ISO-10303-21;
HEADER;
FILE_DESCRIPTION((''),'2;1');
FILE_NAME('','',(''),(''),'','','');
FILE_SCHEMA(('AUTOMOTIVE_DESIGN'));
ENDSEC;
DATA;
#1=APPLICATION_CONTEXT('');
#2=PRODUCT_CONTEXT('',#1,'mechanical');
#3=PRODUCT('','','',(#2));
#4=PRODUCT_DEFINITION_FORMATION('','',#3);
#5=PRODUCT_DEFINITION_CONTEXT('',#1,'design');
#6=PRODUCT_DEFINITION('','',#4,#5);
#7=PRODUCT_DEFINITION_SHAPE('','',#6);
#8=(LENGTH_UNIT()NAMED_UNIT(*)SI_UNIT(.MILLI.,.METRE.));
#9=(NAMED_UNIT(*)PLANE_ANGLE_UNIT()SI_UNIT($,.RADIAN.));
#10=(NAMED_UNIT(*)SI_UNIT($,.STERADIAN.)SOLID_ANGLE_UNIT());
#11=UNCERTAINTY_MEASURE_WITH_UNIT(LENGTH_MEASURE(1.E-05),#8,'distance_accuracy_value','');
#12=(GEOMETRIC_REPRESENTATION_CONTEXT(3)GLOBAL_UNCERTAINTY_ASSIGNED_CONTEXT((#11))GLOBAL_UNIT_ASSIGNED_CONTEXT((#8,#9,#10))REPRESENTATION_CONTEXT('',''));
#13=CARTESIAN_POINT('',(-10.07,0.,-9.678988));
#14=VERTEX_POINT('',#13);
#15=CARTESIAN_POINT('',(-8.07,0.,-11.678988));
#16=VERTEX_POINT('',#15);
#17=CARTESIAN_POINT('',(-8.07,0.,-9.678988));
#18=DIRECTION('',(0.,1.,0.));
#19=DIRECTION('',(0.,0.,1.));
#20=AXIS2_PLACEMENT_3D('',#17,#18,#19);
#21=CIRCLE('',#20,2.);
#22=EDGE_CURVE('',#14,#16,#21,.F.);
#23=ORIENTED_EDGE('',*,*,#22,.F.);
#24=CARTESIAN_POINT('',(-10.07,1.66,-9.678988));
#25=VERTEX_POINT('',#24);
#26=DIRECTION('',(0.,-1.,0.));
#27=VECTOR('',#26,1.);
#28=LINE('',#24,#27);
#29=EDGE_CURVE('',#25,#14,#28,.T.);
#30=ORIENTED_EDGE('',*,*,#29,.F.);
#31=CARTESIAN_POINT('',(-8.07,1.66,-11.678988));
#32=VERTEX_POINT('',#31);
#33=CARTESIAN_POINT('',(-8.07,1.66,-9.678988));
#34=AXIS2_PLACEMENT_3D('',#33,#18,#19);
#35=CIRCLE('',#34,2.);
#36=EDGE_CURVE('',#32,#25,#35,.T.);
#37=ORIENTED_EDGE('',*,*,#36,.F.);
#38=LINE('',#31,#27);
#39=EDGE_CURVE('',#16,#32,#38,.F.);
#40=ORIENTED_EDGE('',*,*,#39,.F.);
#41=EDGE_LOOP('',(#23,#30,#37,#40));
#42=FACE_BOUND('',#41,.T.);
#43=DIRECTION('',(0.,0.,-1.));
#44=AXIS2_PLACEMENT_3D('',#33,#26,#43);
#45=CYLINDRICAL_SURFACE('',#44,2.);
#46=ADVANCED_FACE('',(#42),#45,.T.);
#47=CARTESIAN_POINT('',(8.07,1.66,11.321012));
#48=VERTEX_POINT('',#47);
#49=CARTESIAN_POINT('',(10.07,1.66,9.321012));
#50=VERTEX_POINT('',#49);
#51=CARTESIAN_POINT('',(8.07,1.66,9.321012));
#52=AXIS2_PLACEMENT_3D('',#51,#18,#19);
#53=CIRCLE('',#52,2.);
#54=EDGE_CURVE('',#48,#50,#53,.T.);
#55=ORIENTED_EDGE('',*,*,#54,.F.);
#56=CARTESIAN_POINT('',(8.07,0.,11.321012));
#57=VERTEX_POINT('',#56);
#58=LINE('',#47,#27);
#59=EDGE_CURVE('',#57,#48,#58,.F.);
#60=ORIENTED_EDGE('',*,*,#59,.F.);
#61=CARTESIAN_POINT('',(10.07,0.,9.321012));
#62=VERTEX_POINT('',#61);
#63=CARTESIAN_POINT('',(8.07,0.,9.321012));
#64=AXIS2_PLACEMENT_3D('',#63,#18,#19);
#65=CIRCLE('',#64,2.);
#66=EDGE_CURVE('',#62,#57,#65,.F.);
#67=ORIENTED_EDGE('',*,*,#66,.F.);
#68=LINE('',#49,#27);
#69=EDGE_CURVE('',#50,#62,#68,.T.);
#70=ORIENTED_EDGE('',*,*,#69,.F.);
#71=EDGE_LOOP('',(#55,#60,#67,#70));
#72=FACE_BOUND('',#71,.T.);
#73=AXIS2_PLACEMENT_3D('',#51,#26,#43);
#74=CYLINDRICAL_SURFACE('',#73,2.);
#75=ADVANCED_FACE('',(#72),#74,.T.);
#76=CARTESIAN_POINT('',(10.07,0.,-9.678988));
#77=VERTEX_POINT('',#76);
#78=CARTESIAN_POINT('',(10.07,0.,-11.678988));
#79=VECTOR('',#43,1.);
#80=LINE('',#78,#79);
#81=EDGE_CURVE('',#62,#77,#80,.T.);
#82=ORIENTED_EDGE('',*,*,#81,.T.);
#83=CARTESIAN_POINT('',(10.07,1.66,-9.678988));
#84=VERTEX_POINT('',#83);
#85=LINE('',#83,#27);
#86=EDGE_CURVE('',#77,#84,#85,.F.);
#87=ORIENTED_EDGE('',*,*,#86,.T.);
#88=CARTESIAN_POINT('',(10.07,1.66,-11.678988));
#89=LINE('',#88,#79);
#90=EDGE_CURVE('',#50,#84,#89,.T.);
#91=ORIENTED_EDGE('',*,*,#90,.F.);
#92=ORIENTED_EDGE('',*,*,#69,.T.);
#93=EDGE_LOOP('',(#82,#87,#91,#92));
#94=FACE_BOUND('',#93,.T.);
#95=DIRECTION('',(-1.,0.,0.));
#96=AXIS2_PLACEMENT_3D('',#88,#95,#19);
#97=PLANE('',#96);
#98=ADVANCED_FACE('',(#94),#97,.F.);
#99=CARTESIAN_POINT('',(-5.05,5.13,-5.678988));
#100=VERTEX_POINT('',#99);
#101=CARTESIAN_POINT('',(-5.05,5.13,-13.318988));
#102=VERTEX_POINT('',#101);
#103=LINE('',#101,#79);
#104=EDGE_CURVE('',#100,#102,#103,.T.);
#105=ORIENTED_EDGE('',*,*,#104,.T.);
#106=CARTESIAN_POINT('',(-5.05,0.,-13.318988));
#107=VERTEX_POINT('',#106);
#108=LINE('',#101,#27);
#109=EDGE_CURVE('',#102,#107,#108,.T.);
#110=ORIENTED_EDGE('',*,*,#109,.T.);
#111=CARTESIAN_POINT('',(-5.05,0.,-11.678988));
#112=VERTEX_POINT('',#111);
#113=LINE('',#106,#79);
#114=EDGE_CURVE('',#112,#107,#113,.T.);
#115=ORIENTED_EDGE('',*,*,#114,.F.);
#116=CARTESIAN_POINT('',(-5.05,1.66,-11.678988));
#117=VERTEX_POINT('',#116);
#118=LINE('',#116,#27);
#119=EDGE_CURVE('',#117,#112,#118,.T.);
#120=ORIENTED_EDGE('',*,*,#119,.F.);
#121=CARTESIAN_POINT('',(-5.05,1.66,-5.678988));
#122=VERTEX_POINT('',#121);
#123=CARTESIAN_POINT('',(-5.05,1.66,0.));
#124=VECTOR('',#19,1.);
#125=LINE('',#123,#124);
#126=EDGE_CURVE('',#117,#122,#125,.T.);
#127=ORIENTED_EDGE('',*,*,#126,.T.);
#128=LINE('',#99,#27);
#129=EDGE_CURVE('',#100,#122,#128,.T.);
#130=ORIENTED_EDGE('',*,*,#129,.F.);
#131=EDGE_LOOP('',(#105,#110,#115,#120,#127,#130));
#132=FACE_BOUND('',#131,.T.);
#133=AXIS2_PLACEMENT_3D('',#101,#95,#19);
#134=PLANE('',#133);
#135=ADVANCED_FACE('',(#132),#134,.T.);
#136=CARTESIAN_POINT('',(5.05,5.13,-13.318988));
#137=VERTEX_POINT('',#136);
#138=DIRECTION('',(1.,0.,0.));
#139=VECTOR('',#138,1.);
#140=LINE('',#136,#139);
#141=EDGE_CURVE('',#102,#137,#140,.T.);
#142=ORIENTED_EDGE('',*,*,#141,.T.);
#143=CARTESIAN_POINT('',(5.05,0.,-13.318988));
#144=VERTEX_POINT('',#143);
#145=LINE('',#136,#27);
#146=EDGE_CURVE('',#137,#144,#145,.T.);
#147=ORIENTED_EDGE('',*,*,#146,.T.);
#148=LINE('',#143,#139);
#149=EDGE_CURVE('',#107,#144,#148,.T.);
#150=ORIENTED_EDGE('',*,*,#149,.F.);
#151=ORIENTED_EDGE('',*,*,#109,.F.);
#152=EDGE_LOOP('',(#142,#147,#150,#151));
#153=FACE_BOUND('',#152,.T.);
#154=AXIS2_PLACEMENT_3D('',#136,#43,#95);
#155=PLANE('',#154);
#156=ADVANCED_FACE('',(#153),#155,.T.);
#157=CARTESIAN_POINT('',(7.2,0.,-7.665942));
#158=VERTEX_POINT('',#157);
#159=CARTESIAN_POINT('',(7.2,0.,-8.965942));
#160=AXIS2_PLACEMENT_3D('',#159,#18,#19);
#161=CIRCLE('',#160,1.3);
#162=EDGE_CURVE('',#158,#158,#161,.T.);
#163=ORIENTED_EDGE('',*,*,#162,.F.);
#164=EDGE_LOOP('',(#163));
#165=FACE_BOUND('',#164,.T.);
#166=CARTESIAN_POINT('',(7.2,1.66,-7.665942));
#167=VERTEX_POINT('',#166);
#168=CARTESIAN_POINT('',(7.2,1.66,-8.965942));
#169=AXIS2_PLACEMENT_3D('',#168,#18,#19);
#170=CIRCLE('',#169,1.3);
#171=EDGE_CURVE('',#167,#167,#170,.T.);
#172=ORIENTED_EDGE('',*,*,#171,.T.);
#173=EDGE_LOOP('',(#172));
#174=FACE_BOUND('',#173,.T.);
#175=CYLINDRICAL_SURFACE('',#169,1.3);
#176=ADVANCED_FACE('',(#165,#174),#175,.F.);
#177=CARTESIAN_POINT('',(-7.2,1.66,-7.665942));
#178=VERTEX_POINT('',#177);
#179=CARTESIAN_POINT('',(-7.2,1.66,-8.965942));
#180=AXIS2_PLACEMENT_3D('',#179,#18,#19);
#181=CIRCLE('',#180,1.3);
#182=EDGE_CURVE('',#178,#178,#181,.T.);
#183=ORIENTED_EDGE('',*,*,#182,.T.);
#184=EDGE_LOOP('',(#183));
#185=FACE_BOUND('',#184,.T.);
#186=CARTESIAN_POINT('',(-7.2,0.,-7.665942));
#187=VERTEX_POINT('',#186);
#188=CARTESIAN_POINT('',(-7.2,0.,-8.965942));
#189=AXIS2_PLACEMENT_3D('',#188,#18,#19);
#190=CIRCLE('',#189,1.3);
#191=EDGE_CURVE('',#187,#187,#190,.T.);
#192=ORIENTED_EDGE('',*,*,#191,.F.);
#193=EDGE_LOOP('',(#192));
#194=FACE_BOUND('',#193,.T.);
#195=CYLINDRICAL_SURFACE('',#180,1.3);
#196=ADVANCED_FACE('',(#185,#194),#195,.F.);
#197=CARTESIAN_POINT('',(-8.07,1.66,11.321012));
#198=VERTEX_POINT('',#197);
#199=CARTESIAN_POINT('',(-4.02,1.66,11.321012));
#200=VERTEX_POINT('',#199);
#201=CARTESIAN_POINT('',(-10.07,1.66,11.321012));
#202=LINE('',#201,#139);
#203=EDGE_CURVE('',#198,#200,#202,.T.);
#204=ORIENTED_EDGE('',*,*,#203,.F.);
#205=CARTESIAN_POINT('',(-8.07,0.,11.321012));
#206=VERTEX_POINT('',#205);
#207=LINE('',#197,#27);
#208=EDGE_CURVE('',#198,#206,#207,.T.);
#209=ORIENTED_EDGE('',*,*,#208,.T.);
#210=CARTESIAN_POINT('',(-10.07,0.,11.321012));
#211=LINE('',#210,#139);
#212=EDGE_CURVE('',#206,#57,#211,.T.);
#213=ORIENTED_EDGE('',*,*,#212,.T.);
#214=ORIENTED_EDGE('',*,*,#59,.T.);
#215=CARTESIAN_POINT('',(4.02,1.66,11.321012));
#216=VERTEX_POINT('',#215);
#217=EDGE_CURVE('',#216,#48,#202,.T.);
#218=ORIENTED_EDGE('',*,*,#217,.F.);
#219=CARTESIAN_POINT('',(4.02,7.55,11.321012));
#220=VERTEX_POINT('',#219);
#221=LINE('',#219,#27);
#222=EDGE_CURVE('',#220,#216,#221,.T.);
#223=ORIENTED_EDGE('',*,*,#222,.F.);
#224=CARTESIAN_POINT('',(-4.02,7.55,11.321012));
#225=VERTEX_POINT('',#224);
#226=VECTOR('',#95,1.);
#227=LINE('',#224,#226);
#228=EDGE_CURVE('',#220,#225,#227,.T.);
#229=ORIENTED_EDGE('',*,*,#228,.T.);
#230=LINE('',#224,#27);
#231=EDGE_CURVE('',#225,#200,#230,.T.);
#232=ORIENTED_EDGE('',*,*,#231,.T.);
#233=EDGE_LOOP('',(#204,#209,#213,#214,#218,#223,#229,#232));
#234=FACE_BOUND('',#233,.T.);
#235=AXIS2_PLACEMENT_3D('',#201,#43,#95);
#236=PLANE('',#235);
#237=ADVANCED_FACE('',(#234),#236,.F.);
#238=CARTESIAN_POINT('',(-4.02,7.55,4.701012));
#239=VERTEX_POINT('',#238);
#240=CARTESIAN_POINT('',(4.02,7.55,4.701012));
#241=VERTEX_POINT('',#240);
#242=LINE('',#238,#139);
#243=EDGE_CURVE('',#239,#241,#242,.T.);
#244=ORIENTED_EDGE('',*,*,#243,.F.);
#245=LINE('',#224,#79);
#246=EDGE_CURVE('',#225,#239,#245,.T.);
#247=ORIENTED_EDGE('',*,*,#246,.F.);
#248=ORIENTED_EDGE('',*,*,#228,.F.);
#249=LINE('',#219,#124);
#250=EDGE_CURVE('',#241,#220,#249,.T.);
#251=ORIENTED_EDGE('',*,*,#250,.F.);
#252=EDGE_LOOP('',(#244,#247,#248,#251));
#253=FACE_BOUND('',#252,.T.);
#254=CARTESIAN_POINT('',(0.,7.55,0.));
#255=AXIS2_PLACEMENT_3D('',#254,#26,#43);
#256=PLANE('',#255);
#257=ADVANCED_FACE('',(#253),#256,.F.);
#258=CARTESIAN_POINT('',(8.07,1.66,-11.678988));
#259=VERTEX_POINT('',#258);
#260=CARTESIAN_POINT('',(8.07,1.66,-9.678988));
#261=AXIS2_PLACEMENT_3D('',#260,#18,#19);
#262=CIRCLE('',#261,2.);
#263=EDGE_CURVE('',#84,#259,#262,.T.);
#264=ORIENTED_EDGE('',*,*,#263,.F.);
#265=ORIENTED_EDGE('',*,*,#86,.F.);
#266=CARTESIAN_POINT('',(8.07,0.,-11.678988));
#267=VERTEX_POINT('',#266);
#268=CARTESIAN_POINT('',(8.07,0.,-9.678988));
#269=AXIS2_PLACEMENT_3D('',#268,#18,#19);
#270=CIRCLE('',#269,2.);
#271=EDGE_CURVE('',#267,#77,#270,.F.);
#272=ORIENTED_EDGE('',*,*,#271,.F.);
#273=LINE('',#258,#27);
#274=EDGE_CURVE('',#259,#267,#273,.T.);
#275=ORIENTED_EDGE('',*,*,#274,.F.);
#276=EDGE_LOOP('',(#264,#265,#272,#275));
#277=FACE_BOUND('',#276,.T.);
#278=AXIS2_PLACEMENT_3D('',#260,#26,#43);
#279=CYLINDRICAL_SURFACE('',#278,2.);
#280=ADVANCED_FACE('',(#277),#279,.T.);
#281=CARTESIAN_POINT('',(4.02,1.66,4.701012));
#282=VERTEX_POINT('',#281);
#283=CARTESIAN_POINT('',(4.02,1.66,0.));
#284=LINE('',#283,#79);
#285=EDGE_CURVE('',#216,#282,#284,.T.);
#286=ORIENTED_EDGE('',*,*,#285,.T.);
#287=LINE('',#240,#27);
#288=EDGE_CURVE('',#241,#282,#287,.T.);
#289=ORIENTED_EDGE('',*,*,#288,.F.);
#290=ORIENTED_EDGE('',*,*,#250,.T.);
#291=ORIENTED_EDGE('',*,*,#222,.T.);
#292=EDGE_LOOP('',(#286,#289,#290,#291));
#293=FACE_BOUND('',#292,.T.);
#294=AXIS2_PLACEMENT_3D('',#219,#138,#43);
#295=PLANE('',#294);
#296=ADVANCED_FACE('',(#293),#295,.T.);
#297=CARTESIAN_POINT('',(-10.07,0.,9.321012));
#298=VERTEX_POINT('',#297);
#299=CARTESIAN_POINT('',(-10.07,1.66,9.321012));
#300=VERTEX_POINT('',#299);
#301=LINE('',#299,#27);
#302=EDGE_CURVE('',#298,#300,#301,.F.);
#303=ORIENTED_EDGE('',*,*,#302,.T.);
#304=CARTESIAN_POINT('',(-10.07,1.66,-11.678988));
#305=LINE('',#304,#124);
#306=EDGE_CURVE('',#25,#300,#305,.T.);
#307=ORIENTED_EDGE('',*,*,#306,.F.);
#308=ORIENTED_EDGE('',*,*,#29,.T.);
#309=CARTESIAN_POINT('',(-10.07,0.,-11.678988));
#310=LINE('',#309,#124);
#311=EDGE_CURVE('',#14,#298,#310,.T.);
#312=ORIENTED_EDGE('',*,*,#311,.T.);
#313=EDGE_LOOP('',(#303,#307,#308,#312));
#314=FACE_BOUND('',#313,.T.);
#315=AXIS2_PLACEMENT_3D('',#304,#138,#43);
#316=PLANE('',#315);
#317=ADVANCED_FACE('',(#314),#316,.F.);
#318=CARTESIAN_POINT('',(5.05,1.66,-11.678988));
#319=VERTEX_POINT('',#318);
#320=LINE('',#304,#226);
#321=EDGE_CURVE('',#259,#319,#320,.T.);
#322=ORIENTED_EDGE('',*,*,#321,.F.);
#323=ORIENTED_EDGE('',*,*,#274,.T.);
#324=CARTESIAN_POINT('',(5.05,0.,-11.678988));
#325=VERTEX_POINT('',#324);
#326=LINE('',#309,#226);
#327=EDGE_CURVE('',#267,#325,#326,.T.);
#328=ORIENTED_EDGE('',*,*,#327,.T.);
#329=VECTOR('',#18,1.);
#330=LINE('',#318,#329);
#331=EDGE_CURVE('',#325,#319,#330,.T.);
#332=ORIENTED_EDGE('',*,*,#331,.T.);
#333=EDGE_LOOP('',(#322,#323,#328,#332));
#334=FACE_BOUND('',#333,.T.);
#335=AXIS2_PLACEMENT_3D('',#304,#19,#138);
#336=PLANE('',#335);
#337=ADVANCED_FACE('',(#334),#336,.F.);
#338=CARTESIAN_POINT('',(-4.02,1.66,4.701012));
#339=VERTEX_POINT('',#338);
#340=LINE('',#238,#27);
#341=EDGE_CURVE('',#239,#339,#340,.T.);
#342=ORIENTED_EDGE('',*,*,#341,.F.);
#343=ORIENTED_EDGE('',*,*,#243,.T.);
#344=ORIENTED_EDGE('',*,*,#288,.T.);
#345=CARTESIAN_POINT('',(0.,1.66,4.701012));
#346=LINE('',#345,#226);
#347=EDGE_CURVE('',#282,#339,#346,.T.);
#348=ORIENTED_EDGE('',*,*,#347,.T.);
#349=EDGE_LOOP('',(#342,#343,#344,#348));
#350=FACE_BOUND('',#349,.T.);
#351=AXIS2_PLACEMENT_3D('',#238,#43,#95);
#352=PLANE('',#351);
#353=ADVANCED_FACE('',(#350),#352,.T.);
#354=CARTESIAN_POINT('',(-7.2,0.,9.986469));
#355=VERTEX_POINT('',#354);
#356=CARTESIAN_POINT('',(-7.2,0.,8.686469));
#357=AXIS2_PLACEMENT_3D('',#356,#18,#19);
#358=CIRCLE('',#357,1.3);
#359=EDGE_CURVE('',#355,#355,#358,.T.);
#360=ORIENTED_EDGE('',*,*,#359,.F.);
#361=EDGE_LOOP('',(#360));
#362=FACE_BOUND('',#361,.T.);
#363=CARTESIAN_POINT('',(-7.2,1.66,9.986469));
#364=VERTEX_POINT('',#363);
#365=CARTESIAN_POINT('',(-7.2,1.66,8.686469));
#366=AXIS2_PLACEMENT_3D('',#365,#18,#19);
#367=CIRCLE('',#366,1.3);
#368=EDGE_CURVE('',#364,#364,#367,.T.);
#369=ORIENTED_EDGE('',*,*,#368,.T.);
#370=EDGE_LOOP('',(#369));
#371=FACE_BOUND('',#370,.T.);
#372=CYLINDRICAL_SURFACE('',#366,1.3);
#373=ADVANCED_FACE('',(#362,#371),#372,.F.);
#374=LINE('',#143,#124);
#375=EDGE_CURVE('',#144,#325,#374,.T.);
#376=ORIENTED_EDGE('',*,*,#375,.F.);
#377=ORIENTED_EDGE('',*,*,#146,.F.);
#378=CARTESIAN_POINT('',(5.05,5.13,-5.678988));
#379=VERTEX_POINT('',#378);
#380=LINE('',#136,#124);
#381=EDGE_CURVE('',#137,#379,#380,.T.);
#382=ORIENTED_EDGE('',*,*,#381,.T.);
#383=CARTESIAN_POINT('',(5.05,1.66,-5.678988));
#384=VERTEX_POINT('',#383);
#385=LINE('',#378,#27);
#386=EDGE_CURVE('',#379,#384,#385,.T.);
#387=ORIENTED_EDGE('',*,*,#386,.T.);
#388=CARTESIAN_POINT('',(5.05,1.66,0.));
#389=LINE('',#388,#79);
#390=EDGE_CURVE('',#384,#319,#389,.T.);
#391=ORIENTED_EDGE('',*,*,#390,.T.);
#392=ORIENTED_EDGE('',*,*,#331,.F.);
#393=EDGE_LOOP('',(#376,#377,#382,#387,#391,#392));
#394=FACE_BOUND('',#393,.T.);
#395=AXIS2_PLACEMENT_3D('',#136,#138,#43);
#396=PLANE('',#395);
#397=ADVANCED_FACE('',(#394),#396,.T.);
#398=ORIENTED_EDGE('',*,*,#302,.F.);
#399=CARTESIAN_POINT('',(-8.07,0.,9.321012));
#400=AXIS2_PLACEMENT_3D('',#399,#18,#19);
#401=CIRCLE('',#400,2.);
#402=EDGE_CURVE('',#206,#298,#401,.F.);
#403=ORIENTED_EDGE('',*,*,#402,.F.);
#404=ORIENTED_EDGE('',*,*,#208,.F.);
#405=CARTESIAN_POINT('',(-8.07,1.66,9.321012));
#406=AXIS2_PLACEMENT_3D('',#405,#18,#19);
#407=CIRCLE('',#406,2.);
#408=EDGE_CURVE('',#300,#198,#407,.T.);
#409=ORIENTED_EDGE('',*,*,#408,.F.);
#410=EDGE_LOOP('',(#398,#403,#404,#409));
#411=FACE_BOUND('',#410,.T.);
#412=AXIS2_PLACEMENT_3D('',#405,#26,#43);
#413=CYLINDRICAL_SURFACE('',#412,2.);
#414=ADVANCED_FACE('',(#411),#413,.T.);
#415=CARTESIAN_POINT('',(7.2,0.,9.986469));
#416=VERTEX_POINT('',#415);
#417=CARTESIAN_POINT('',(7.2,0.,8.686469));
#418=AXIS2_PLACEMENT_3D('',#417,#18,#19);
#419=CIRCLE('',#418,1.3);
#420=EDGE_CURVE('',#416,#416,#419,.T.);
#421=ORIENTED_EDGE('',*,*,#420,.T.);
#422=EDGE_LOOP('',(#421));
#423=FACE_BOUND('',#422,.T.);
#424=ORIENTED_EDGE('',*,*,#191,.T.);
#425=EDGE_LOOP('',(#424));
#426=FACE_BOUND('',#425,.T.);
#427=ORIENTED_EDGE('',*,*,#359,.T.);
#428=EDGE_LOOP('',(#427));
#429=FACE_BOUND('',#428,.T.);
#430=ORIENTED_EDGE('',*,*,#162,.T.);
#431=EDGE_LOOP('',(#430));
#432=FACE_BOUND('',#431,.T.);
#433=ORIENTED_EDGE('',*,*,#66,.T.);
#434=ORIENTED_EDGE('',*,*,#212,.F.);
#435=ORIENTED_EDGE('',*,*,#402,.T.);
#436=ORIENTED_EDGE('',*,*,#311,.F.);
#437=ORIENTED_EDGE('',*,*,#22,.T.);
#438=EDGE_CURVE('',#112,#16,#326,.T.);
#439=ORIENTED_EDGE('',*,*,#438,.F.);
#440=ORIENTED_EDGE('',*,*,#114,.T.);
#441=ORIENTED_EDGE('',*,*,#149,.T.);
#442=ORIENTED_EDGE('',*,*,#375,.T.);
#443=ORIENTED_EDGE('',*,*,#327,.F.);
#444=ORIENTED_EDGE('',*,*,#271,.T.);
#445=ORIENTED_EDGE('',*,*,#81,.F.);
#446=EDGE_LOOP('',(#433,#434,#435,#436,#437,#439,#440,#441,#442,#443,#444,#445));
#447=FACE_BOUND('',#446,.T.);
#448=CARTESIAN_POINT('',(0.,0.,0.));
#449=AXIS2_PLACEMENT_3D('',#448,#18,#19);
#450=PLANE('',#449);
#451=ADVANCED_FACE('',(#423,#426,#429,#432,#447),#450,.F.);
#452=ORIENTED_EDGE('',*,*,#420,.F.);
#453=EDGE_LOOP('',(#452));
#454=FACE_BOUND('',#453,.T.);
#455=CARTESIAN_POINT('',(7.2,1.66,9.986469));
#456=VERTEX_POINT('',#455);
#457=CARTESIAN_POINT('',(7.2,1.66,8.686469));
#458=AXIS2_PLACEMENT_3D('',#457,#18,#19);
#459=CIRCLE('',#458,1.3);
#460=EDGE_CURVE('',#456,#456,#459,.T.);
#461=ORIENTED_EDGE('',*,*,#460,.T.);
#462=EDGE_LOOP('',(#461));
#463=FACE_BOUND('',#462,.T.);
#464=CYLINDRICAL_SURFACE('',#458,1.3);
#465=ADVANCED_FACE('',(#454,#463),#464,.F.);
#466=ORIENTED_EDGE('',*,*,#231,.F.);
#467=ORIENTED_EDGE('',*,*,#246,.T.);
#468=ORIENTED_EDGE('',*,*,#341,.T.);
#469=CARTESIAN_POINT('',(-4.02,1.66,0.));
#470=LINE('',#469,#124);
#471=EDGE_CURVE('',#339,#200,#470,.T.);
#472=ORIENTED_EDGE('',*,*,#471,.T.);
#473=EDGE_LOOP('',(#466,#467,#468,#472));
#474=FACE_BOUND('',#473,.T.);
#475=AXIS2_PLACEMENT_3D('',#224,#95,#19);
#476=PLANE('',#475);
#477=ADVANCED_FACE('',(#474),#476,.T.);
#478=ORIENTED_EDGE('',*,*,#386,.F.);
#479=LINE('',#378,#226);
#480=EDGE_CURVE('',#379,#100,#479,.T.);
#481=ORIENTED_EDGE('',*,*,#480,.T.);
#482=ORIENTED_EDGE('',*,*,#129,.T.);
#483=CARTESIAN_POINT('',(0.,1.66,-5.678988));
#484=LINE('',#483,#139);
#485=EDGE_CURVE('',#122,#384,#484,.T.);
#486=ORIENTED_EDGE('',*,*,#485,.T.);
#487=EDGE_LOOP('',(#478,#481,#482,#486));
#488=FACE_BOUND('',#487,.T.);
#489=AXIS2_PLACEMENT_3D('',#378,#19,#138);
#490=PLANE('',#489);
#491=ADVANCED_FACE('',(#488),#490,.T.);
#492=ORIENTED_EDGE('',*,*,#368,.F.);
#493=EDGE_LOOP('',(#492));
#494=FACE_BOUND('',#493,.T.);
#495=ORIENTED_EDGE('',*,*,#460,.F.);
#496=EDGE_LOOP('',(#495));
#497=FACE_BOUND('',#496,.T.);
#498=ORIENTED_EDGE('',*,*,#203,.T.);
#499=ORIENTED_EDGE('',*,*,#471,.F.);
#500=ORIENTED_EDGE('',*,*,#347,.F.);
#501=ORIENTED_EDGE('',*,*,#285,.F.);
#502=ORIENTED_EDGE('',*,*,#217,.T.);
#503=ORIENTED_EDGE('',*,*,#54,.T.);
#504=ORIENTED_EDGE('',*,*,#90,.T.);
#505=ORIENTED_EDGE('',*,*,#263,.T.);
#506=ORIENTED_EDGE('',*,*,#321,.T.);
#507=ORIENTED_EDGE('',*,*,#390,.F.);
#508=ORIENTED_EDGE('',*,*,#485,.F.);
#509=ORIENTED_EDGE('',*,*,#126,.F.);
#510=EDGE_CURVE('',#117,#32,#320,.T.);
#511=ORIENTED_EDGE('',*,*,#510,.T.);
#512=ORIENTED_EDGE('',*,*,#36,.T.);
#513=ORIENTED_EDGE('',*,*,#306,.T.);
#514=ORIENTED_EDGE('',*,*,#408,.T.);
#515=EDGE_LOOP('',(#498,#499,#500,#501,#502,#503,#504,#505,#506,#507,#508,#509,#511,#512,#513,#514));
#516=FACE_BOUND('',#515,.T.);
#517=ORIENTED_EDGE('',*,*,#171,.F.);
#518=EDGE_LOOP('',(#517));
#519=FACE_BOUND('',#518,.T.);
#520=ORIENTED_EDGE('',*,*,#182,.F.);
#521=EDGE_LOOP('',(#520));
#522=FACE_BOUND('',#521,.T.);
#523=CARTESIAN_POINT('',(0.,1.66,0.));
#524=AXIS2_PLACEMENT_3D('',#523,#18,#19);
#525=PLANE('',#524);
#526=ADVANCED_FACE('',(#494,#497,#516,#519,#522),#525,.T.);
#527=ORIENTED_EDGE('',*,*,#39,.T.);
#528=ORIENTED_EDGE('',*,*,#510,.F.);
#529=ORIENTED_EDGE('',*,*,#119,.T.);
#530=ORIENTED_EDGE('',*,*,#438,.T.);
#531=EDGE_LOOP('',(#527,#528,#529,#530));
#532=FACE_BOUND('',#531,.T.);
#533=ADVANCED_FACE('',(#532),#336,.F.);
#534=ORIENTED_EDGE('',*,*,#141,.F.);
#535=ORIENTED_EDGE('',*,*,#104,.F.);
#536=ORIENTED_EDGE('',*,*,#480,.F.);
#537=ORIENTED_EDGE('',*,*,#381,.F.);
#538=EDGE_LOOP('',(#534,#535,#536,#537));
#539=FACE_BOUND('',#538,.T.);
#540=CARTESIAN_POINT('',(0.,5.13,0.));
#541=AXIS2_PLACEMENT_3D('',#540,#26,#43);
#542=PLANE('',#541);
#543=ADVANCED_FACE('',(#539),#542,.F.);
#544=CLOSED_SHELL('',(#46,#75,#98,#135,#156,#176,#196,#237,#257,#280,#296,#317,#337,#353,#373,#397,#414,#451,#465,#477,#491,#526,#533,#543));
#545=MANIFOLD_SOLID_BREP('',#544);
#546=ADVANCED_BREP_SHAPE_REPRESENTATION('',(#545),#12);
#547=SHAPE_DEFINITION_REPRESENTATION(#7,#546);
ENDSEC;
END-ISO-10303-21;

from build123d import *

# Parameters (mm, degrees)
SKETCH1_W           = 20.14
SKETCH1_H           = 23
BOSS_EXTRUDE1_DEPTH = 1.66
SKETCH2_W           = 8.04
SKETCH2_H           = 6.62
BOSS_EXTRUDE2_DEPTH = 7.55
SKETCH3_W           = 10.1
SKETCH3_H           = 7.64
BOSS_EXTRUDE3_DEPTH = 5.13
FILLET1_R           = 2
HOLE1_D             = 2.6


with BuildPart() as part:
    # Sketch1 → Boss-Extrude1 (new body)
    with BuildSketch(Plane(origin=(0, 0, 0), x_dir=(1, 0, 0), z_dir=(0, 1, 0))):
        with Locations((0, 0.178988327)):
            Rectangle(SKETCH1_W, SKETCH1_H)
    extrude(amount=BOSS_EXTRUDE1_DEPTH)

    # Sketch2 → Boss-Extrude2 (add)
    with BuildSketch(Plane.XZ):
        with Locations((0, 8.011011673)):
            Rectangle(SKETCH2_W, SKETCH2_H)
    extrude(amount=-BOSS_EXTRUDE2_DEPTH)

    # Sketch3 → Boss-Extrude3 (add)
    with BuildSketch(Plane.XZ):
        with Locations((0, -9.498988327)):
            Rectangle(SKETCH3_W, SKETCH3_H)
    extrude(amount=-BOSS_EXTRUDE3_DEPTH)

    # Fillet1
    fillet1_edges = [part.edges().sort_by_distance(p)[0] for p in [
        (-10.07, 0.83, -11.678988327),
        (10.07, 0.83, -11.678988327),
        (10.07, 0.83, 11.321011673),
        (-10.07, 0.83, 11.321011673),
    ]]
    fillet(fillet1_edges, radius=FILLET1_R)

    # Hole1 (through all)
    with Locations(Plane(origin=(0, 1.66, 0), x_dir=(1, 0, 0), z_dir=(0, 1, 0))):
        with Locations((-7.2, 8.965942289), (7.2, 8.965942289), (7.2, -8.68646887), (-7.2, -8.68646887)):
            Hole(HOLE1_D / 2)


solid = part.part
